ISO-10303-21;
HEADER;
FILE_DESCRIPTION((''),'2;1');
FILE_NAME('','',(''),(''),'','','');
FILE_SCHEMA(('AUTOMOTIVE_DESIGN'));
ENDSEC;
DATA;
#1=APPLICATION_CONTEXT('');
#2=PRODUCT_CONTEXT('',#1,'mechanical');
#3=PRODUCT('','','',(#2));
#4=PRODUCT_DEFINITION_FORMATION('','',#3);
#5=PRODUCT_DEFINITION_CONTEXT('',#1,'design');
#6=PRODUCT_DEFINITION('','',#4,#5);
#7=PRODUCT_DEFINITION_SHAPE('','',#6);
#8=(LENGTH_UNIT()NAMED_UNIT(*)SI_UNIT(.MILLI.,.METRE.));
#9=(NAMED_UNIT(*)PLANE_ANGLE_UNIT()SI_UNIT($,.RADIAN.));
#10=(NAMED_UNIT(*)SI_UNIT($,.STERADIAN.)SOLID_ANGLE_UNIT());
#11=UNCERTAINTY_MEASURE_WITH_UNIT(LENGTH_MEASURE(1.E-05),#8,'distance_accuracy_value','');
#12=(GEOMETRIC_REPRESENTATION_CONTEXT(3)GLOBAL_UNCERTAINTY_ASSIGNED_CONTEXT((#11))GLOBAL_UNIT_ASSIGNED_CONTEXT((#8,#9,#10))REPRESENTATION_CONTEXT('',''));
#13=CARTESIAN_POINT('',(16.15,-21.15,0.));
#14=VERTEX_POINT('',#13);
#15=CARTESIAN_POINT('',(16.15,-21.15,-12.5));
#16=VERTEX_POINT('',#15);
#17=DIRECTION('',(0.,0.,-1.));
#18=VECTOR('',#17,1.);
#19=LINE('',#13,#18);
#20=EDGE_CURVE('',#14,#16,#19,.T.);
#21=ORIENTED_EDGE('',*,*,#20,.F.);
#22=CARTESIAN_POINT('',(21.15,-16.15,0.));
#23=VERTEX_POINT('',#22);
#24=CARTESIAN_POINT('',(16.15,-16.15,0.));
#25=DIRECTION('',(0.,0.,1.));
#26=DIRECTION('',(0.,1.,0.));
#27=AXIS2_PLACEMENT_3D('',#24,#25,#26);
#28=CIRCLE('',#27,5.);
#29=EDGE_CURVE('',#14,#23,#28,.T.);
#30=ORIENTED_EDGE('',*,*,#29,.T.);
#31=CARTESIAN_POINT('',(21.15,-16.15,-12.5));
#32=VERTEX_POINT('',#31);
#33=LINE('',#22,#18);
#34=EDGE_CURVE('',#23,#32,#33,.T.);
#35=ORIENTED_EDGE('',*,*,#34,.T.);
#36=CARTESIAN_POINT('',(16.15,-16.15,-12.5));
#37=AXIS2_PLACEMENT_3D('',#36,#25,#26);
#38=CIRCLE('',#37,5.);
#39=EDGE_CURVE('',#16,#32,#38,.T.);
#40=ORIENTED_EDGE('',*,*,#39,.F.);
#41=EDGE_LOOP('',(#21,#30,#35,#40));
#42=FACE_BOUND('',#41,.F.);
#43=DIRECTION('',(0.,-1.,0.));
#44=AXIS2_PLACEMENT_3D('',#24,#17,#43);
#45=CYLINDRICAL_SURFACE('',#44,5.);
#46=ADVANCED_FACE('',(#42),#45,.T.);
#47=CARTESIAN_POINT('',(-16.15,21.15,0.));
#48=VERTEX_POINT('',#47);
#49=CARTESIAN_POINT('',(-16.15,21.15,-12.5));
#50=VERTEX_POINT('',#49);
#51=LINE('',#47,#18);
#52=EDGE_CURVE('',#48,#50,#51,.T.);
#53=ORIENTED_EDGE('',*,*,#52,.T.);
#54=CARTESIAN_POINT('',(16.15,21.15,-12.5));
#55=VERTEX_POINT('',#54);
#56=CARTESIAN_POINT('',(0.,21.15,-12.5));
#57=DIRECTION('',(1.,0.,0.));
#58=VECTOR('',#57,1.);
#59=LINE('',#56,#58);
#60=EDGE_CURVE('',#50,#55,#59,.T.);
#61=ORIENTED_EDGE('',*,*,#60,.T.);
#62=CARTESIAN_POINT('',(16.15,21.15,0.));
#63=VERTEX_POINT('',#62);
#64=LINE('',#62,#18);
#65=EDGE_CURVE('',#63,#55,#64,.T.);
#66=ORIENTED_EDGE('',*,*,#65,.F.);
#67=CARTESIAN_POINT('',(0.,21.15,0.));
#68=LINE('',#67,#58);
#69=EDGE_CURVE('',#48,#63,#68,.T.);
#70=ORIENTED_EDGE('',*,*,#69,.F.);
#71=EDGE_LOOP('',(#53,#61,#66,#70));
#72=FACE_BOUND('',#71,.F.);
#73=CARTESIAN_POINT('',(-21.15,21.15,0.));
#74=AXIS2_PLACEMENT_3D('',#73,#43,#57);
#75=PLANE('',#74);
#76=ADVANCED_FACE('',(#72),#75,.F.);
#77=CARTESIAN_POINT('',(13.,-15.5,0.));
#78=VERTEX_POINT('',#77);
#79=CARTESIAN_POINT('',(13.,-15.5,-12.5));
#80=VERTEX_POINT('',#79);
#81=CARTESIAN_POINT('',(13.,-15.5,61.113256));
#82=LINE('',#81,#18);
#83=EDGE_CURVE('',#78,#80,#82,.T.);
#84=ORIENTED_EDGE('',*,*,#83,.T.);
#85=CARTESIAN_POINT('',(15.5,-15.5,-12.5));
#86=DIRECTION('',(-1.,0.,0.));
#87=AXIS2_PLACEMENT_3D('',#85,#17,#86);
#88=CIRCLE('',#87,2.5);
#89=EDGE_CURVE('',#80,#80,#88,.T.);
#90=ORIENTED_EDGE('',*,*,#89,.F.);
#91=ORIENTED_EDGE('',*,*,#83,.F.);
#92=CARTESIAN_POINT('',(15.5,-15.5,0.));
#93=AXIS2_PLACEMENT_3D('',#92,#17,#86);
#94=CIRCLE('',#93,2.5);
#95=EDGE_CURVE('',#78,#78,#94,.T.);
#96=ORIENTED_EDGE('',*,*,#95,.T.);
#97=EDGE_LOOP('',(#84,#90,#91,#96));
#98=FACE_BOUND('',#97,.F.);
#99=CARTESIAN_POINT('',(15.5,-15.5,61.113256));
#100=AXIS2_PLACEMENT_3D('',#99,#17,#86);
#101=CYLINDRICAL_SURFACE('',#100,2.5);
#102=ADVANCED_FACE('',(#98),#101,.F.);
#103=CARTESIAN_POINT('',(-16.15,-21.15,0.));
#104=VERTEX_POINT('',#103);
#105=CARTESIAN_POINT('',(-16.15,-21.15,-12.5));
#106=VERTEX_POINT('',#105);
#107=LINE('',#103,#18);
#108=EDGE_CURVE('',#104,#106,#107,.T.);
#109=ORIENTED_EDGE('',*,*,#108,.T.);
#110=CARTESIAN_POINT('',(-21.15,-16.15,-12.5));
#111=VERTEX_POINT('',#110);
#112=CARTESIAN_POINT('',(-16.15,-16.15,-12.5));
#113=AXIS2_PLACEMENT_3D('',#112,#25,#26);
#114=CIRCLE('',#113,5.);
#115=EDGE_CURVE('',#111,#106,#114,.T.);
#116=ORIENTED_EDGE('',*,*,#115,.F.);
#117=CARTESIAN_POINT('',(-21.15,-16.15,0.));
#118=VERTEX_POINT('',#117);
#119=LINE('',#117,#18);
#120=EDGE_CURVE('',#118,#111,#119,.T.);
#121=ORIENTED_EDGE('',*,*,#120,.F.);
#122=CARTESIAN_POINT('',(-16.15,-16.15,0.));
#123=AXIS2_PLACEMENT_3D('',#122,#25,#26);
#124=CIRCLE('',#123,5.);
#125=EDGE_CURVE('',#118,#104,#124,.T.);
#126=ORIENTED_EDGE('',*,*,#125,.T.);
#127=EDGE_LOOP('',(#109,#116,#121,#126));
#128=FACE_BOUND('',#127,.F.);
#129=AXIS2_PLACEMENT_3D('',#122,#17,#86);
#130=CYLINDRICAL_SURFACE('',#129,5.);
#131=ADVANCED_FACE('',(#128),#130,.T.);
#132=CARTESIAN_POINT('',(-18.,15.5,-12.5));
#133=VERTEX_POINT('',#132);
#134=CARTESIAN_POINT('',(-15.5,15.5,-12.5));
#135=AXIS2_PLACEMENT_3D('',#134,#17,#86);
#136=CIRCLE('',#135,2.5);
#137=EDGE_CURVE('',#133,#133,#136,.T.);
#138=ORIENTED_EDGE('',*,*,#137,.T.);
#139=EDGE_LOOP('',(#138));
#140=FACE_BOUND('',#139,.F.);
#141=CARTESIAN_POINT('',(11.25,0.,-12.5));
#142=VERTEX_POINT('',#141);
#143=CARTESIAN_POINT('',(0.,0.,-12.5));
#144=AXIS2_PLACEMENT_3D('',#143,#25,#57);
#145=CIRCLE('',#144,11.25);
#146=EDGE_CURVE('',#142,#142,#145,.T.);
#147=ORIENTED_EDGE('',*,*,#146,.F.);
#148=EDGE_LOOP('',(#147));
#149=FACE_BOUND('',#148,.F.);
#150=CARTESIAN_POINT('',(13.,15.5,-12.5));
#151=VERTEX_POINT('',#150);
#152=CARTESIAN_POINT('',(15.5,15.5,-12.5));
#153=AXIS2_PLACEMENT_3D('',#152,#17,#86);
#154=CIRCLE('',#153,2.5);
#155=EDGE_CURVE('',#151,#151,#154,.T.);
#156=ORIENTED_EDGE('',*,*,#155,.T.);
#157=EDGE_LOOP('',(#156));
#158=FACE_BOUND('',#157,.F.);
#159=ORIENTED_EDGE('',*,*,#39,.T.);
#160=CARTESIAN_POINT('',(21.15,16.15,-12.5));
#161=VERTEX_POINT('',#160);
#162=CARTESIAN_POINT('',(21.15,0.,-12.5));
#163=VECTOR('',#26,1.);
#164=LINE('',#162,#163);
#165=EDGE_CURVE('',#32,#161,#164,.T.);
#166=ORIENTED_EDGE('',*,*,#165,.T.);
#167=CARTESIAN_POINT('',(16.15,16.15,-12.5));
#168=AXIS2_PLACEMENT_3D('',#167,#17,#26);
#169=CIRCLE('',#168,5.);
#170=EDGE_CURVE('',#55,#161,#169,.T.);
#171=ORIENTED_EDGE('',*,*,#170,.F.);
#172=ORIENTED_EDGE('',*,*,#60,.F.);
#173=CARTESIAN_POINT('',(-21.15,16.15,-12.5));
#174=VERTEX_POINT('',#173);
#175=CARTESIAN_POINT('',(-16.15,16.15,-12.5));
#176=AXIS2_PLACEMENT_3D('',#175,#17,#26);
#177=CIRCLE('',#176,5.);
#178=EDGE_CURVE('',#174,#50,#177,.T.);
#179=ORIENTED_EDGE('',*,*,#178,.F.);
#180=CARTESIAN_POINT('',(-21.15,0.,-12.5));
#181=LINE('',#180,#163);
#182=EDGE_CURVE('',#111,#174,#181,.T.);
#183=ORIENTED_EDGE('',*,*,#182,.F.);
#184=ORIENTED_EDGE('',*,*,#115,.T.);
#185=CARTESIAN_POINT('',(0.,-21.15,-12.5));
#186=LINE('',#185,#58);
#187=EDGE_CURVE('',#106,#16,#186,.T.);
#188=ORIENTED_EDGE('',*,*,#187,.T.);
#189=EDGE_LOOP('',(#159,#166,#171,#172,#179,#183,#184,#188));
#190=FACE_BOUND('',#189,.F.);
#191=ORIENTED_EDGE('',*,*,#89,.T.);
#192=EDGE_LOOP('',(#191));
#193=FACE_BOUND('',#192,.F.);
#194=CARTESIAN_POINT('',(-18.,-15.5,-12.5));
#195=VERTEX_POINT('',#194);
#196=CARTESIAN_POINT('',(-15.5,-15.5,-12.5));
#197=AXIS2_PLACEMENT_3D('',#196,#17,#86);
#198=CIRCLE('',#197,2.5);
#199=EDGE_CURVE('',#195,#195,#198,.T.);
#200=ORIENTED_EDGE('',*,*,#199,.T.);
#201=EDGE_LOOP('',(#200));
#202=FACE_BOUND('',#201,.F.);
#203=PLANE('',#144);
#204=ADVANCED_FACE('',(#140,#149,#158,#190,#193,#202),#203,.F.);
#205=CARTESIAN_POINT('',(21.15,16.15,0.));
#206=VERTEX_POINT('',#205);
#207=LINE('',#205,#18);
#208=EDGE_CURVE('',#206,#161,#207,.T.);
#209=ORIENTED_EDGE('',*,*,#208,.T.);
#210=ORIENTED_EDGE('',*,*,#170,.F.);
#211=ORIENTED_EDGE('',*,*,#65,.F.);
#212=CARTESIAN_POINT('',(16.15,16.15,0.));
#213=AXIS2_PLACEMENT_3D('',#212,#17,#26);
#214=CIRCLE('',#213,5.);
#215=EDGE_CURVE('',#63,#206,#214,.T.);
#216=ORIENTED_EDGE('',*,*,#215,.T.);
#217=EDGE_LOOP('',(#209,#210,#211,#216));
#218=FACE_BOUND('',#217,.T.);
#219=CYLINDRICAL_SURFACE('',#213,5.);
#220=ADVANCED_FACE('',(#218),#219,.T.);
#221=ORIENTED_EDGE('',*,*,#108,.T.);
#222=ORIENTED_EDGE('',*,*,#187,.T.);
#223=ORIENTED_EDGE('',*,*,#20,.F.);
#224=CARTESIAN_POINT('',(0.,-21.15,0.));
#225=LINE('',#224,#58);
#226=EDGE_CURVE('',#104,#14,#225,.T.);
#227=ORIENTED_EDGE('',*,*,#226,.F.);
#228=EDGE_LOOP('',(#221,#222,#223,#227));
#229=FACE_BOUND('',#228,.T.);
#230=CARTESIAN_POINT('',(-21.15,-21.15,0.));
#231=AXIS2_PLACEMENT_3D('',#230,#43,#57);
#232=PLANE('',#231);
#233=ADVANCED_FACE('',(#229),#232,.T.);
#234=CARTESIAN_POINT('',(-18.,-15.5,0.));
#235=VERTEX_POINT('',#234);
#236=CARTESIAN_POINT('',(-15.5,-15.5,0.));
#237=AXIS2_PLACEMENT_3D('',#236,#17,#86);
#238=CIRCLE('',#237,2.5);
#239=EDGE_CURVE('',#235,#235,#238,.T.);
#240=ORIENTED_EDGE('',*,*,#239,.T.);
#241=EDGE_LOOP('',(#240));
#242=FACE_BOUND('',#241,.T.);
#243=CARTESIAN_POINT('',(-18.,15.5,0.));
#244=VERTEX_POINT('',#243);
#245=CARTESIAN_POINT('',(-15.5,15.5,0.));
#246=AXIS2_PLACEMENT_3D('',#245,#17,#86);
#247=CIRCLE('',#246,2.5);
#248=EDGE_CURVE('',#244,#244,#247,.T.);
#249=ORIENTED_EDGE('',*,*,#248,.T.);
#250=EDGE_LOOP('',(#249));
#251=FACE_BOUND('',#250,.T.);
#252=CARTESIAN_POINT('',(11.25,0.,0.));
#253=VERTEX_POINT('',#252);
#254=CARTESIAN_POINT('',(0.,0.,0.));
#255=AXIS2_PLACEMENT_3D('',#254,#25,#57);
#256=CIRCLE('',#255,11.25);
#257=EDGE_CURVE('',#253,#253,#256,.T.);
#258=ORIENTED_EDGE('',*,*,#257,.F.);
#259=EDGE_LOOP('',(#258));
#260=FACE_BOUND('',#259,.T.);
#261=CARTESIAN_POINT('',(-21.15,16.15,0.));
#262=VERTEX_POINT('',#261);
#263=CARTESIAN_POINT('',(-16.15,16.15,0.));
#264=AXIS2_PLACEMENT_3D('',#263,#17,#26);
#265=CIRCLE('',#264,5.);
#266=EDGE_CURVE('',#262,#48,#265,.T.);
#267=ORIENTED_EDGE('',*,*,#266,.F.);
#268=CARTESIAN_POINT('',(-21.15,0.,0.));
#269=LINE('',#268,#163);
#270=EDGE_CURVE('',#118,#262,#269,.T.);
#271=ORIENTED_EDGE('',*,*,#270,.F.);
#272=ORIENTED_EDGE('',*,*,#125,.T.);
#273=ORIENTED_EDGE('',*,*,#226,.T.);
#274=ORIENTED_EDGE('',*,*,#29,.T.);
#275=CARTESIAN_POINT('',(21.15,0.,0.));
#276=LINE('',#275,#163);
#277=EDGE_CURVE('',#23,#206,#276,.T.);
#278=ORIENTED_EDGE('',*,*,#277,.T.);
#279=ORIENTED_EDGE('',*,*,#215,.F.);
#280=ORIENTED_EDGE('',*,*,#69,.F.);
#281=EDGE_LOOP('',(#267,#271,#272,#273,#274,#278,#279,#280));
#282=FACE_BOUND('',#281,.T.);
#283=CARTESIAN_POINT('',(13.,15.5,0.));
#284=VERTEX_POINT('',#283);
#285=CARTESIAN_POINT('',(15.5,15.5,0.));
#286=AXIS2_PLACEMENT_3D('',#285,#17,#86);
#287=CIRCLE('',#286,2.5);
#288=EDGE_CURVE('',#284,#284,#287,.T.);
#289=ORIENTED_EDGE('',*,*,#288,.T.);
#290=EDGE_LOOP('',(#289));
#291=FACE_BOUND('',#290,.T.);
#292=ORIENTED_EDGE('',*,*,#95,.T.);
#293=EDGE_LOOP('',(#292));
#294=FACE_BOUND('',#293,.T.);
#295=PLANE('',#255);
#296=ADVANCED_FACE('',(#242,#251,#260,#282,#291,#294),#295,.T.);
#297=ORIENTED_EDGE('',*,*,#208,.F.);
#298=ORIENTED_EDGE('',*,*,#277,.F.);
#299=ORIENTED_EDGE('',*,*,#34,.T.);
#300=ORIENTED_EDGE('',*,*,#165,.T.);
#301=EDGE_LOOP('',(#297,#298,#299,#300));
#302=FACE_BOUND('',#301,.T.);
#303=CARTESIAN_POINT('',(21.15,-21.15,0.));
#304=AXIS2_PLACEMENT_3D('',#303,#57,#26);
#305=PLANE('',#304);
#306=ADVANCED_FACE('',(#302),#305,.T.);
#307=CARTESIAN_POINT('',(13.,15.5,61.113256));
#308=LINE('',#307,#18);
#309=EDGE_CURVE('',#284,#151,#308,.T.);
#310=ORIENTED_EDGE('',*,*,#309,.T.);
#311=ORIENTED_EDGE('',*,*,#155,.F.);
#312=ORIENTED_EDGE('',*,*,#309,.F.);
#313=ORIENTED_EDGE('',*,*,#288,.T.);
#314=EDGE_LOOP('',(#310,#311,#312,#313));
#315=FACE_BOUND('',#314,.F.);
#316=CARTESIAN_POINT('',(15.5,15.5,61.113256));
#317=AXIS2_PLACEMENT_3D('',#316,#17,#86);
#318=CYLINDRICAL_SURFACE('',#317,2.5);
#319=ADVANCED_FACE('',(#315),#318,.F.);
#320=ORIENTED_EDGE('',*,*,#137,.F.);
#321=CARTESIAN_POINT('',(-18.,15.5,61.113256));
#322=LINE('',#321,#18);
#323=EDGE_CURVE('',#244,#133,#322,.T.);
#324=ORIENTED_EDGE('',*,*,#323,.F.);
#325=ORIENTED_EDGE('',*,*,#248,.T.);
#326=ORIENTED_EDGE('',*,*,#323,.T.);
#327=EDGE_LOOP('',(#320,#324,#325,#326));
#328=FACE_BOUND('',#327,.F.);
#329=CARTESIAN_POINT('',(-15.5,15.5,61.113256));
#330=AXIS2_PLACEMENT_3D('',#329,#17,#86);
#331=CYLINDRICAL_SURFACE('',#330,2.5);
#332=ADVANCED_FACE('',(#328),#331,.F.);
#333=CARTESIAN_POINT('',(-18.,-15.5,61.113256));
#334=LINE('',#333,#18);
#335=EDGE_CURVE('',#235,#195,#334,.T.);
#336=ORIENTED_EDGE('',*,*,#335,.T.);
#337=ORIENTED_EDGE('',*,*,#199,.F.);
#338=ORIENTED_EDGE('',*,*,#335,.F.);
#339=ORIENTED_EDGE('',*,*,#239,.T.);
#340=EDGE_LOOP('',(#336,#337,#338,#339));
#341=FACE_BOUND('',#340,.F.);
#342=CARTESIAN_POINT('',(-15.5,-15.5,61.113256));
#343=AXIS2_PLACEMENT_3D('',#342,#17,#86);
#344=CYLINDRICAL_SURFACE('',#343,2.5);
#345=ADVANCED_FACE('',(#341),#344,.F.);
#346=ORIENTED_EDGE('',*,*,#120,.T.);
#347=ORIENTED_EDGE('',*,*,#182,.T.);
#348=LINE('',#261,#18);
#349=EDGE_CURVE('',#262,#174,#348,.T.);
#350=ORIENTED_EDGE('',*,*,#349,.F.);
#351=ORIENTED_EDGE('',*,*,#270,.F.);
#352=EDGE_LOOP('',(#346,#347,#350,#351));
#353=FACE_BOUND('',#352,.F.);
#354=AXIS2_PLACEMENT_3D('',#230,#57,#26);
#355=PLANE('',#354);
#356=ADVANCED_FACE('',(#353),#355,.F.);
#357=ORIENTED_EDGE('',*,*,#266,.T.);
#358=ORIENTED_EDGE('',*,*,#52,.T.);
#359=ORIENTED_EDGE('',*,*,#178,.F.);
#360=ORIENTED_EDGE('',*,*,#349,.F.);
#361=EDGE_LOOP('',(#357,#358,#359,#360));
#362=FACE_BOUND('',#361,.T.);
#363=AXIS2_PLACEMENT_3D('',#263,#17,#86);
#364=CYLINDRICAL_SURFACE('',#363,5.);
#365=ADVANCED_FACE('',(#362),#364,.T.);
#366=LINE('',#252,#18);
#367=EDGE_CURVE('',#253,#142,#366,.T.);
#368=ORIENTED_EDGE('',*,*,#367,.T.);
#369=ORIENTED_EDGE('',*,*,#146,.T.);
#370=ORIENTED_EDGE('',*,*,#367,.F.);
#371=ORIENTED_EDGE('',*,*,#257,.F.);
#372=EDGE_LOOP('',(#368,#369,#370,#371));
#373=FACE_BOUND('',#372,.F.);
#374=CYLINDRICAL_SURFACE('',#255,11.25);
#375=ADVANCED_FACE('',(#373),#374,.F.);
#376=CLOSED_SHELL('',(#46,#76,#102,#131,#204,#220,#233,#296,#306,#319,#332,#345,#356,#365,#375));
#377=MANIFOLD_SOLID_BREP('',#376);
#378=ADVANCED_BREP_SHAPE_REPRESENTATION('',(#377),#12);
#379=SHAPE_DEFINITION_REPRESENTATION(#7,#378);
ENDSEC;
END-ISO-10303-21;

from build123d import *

# Parameters (mm, degrees)
F0_W     = 42.3
F0_H     = 42.3
F0_W_2   = 31
F0_H_2   = 31
F0_R     = 11.25
F1_DEPTH = 12.5
F2_R     = 5
F3_R     = 5
F4_D     = 5


with BuildPart() as f1:
    # F0 (on Top) → F1 (new body)
    with BuildSketch(Plane.XY):
        Rectangle(F0_W, F0_H)
        Rectangle(F0_W_2, F0_H_2, mode=Mode.SUBTRACT)
        Rectangle(F0_W_2, F0_H_2)
        Circle(F0_R, mode=Mode.SUBTRACT)
    extrude(amount=-F1_DEPTH)

    # F2
    f2_edges = [f1.edges().sort_by_distance(p)[0] for p in [
        (21.15, -21.15, -6.25),
        (-21.15, 21.15, -6.25),
        (21.15, 21.15, -6.25),
    ]]
    fillet(f2_edges, radius=F2_R)

    # F3
    f3_edges = [f1.edges().sort_by_distance(p)[0] for p in [
        (-21.15, -21.15, -6.25),
    ]]
    fillet(f3_edges, radius=F3_R)

    # F4 (through all)
    with Locations(Plane.XY):
        with Locations((-15.5, -15.5), (-15.5, 15.5), (15.5, 15.5), (15.5, -15.5)):
            Hole(F4_D / 2)


solid = f1.part
